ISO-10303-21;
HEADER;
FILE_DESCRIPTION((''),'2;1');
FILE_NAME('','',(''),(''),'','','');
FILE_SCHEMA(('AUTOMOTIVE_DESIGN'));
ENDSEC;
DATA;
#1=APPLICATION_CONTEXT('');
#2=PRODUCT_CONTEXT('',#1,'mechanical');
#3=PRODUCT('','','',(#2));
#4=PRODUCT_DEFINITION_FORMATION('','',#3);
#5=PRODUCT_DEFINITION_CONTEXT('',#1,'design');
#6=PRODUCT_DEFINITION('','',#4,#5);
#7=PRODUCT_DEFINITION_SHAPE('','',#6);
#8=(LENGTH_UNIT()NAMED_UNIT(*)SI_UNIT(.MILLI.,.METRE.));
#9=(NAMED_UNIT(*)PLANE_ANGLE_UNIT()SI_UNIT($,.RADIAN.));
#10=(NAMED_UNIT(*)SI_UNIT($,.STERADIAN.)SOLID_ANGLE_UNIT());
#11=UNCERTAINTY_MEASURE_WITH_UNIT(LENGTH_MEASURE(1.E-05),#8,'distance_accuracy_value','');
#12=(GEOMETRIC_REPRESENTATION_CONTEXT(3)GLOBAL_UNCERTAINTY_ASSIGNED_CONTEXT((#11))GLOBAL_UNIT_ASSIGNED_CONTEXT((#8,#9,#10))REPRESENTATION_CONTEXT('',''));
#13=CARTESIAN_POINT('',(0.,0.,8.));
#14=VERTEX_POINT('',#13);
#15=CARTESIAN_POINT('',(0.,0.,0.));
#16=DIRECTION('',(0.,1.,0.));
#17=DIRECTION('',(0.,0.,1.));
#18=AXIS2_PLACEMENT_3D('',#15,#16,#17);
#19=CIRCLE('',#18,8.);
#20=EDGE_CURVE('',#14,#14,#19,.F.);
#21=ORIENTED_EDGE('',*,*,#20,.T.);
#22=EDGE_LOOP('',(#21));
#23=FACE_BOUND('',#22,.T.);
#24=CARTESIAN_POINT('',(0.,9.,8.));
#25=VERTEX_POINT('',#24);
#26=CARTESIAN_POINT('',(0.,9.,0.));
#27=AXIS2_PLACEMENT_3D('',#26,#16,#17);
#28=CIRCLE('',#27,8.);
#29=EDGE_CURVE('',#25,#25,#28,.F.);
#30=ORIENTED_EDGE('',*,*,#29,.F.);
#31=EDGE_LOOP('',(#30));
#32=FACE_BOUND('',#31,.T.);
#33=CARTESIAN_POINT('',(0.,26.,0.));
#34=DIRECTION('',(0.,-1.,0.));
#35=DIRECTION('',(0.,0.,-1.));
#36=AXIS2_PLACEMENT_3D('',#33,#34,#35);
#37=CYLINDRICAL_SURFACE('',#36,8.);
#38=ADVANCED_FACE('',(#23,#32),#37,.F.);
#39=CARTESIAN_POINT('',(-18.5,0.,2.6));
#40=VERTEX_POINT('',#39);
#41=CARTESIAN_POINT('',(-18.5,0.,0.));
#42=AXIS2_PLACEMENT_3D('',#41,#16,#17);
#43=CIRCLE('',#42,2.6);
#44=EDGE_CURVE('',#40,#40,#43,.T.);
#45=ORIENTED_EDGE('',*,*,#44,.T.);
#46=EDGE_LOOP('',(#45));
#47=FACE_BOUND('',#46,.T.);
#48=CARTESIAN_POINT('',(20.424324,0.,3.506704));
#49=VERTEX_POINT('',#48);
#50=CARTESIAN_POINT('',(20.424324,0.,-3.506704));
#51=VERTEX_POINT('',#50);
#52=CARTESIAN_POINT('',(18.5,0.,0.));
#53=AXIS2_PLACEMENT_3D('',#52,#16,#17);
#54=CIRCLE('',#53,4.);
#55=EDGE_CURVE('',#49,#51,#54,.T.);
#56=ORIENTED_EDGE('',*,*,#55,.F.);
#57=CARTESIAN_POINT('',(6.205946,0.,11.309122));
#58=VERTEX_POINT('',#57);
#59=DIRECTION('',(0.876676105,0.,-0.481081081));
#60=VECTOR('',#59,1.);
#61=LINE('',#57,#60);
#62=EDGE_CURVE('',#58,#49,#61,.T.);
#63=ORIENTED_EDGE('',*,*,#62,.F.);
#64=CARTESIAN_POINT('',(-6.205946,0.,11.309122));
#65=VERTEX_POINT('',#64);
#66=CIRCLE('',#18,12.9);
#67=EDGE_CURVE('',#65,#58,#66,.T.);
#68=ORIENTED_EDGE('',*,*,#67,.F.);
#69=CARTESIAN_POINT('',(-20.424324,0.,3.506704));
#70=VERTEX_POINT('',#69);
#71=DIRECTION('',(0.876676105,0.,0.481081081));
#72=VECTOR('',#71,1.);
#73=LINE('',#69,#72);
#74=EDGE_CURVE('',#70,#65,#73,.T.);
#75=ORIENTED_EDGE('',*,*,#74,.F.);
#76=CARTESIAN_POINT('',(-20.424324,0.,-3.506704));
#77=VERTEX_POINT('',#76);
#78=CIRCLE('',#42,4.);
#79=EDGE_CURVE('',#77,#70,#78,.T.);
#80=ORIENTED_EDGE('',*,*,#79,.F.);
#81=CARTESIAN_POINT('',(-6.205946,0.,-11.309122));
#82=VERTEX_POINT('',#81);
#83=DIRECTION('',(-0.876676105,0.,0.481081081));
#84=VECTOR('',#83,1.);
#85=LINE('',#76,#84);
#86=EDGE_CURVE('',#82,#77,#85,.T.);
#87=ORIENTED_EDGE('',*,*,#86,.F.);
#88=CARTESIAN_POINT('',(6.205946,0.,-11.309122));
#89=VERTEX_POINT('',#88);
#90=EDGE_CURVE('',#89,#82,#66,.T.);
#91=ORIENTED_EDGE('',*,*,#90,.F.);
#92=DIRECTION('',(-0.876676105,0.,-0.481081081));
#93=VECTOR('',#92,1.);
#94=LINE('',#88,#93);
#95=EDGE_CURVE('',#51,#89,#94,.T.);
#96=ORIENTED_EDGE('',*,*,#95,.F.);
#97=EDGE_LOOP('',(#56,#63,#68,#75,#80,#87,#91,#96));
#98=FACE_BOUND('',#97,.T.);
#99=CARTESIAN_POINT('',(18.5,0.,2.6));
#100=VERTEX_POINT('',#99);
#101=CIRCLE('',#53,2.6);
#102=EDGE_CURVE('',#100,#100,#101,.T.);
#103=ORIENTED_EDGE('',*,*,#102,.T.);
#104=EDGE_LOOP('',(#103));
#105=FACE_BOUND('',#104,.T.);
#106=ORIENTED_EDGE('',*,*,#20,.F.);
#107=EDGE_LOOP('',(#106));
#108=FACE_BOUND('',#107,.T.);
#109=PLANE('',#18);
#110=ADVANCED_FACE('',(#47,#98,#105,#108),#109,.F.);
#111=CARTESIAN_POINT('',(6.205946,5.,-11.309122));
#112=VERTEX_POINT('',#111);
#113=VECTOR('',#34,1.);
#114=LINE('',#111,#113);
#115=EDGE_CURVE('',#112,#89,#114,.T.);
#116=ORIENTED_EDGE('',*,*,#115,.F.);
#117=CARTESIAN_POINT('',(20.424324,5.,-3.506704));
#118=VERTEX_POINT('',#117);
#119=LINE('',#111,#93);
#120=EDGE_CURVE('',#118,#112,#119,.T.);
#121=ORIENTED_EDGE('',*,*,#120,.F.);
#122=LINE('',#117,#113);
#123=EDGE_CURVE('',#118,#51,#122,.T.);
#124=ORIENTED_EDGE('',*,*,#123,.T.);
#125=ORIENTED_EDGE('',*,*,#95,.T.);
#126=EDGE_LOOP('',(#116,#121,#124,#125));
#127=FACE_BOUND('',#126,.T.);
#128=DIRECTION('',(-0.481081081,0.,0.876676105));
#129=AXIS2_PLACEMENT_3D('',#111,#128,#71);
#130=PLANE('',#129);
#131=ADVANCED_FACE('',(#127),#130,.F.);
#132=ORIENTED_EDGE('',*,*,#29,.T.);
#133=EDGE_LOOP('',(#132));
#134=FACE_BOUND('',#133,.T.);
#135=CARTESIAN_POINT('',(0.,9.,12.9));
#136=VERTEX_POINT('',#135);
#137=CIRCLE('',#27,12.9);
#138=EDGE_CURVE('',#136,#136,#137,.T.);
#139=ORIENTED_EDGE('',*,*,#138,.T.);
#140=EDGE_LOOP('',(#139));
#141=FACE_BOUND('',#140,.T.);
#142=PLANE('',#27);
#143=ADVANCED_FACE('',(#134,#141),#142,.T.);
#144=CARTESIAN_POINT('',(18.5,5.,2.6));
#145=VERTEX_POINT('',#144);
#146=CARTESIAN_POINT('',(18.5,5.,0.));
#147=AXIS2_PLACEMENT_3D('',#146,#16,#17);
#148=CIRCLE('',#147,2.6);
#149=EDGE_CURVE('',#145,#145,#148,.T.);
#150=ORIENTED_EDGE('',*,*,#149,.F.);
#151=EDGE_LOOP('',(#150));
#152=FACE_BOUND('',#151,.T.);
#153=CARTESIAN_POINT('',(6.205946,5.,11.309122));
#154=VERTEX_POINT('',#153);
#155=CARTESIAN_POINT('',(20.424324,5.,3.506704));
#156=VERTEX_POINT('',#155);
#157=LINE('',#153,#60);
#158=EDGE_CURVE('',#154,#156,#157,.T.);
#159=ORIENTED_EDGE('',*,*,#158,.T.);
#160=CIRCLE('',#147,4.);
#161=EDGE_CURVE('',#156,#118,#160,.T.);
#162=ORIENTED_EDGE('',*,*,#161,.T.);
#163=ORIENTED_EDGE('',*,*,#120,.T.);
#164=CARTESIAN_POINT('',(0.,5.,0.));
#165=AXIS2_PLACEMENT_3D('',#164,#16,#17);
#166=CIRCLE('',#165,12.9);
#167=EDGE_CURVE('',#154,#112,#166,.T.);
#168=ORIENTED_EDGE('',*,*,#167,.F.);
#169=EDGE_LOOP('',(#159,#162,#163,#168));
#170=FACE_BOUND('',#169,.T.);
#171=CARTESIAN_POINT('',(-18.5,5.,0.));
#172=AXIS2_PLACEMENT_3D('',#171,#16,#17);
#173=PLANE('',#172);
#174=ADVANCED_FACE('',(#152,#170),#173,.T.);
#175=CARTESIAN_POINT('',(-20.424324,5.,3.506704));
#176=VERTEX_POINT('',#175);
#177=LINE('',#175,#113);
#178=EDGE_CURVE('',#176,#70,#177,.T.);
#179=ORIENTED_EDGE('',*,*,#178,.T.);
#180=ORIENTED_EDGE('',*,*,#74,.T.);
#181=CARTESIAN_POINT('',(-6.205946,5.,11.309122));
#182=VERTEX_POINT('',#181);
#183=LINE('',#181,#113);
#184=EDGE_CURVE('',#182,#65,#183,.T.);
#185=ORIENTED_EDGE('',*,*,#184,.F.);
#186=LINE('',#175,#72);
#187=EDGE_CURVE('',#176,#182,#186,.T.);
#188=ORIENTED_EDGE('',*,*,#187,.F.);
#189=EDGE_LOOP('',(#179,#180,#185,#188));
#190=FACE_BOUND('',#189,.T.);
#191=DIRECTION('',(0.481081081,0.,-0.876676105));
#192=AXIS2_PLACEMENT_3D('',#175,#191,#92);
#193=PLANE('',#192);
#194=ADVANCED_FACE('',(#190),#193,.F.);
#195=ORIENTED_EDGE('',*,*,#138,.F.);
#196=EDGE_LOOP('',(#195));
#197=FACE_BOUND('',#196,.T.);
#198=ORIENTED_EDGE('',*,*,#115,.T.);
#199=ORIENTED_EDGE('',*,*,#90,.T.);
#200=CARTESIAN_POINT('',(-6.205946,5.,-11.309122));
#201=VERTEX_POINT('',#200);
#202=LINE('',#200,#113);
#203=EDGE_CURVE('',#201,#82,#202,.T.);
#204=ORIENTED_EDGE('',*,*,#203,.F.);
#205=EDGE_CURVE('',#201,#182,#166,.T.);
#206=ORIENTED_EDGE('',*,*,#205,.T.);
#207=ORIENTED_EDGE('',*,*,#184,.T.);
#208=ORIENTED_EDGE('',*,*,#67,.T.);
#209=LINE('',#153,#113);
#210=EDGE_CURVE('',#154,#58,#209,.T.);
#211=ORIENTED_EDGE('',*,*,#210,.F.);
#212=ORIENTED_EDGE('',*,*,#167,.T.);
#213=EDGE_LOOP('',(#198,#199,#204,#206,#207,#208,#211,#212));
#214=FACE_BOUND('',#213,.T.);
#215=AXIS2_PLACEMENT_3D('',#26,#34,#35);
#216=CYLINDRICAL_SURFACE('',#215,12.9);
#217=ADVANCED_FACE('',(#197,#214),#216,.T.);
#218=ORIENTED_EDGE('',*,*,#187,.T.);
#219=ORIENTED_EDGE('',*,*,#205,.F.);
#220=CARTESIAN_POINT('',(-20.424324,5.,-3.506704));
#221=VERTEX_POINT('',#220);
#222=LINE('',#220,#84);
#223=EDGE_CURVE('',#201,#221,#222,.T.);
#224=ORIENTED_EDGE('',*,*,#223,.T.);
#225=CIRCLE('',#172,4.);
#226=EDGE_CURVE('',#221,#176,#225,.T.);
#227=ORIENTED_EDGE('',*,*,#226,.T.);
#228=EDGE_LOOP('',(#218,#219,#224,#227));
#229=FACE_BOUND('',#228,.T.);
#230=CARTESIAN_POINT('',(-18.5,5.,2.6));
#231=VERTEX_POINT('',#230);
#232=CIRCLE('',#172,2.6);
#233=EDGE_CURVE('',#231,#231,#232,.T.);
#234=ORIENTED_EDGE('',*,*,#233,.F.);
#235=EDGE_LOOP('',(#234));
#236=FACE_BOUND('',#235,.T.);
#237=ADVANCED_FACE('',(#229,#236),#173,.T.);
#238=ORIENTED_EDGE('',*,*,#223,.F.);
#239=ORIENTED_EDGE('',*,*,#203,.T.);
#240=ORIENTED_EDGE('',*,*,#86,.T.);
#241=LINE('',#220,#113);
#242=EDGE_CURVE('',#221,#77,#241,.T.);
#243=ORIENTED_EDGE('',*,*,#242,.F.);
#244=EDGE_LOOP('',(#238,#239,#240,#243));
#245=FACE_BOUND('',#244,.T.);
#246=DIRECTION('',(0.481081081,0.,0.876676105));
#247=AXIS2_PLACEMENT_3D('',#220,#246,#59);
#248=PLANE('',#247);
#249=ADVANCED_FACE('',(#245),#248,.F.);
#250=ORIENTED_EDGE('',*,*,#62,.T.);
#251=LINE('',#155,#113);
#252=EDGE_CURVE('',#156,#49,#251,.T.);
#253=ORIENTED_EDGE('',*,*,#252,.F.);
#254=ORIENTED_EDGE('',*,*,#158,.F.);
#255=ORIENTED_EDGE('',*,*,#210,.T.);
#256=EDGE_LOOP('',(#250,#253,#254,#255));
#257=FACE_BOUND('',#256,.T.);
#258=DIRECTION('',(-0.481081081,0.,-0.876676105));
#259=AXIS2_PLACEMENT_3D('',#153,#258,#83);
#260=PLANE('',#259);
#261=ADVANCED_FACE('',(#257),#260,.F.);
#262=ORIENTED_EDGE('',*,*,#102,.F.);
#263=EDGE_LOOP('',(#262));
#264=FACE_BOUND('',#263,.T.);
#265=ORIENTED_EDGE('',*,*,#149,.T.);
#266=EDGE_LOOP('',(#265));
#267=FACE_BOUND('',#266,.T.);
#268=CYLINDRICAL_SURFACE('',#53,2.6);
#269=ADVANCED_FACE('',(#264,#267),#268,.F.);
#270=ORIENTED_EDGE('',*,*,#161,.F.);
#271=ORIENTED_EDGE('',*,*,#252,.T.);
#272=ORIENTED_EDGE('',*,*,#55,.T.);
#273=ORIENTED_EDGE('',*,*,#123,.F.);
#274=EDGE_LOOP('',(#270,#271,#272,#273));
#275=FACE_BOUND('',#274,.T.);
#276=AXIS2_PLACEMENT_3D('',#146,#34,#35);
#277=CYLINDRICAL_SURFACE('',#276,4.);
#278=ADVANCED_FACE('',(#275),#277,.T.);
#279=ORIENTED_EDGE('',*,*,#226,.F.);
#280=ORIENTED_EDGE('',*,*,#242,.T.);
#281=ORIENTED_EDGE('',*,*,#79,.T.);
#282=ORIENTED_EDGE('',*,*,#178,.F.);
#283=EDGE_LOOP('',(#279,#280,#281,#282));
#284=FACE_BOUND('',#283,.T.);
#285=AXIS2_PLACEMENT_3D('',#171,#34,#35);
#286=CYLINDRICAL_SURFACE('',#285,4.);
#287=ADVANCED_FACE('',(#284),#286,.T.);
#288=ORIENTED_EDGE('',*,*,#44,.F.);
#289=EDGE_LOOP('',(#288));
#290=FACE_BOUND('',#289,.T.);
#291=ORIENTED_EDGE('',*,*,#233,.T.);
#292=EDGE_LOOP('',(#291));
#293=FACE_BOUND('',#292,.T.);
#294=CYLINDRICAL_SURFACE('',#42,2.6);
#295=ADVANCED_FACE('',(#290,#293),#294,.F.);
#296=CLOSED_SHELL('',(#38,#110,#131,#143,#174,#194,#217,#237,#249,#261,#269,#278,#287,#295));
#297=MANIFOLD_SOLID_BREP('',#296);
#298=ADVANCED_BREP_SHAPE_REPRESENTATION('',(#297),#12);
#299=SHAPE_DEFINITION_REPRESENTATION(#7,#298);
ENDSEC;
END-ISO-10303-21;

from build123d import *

# Parameters (mm, degrees)
SKETCH_3_R               = 12.9
EXTRUDE_1_DEPTH          = 9
EXTRUDE_2_DEPTH          = 5
SKETCH_5_R               = 6.1
EXTRUDE_3_DEPTH          = 2.5
SKETCH_6_R               = 4
CUT_EXTRUDE_1_DEPTH      = 29.370936
SKETCH_7_R               = 2.6
CUT_EXTRUDE_2_DEPTH      = 27.737801
CUT_EXTRUDE_3_DEPTH      = 17
CUT_EXTRUDE_3_DEPTH_BACK = 15
SKETCH_8_R               = 8


with BuildPart() as part:
    # 草图3 → 凸台-拉伸1 (new body)
    with BuildSketch(Plane(origin=(0, 0, 0), x_dir=(1, 0, 0), z_dir=(0, 1, 0))):
        with Locations(Location((0, 0, 0), (0, 0, 270))):
            Circle(SKETCH_3_R)
    extrude(amount=EXTRUDE_1_DEPTH)

    # 草图4 → 凸台-拉伸2 (add)
    with BuildSketch(Plane(origin=(0, 0, 0), x_dir=(1, 0, 0), z_dir=(0, 1, 0))):
        with BuildLine():
            Line((-20.424324, 3.506704), (-6.205946, 11.309122))
            ThreePointArc((-6.205946, 11.309122), (0, 12.9), (6.205946, 11.309122))
            Line((6.205946, 11.309122), (20.424324, 3.506704))
            ThreePointArc((20.424324, 3.506704), (22.5, 0), (20.424324, -3.506704))
            Line((20.424324, -3.506704), (6.205946, -11.309122))
            ThreePointArc((6.205946, -11.309122), (0, -12.9), (-6.205946, -11.309122))
            Line((-6.205946, -11.309122), (-20.424324, -3.506704))
            ThreePointArc((-20.424324, -3.506704), (-22.5, 0), (-20.424324, 3.506704))
        make_face()
    extrude(amount=EXTRUDE_2_DEPTH)

    # 草图5 → 凸台-拉伸3 (add)
    with BuildSketch(Plane(origin=(0, 9, 0), x_dir=(1, 0, 0), z_dir=(0, 1, 0))):
        with Locations(Location((0, 0, 0), (0, 0, 270))):
            Circle(SKETCH_5_R)
    extrude(amount=EXTRUDE_3_DEPTH)

    # 草图6 → 切除-拉伸1 (cut, through all)
    with BuildSketch(Plane(origin=(0, 11.5, 0), x_dir=(1, 0, 0), z_dir=(0, 1, 0))):
        with Locations(Location((0, 0, 0), (0, 0, 270))):
            Circle(SKETCH_6_R)
    extrude(amount=-CUT_EXTRUDE_1_DEPTH, mode=Mode.SUBTRACT)

    # 草图7 → 切除-拉伸2 (cut, through all)
    with BuildSketch(Plane(origin=(0, 5, 0), x_dir=(1, 0, 0), z_dir=(0, 1, 0))):
        with Locations(Location((18.5, 0, 0), (0, 0, 270))):
            Circle(SKETCH_7_R)
        with Locations(Location((-18.5, 0, 0), (0, 0, 270))):
            Circle(SKETCH_7_R)
    extrude(amount=-CUT_EXTRUDE_2_DEPTH, mode=Mode.SUBTRACT)

    # 草图8 → 切除-拉伸3 (cut, two sides: drawn at the far end of the back side and taken through both)
    with BuildSketch(Plane(origin=(0, 9, 0), x_dir=(1, 0, 0), z_dir=(0, 1, 0)).offset(-CUT_EXTRUDE_3_DEPTH_BACK)):
        with Locations(Location((0, 0, 0), (0, 0, 270))):
            Circle(SKETCH_8_R)
    extrude(amount=CUT_EXTRUDE_3_DEPTH + CUT_EXTRUDE_3_DEPTH_BACK, mode=Mode.SUBTRACT)


solid = part.part
